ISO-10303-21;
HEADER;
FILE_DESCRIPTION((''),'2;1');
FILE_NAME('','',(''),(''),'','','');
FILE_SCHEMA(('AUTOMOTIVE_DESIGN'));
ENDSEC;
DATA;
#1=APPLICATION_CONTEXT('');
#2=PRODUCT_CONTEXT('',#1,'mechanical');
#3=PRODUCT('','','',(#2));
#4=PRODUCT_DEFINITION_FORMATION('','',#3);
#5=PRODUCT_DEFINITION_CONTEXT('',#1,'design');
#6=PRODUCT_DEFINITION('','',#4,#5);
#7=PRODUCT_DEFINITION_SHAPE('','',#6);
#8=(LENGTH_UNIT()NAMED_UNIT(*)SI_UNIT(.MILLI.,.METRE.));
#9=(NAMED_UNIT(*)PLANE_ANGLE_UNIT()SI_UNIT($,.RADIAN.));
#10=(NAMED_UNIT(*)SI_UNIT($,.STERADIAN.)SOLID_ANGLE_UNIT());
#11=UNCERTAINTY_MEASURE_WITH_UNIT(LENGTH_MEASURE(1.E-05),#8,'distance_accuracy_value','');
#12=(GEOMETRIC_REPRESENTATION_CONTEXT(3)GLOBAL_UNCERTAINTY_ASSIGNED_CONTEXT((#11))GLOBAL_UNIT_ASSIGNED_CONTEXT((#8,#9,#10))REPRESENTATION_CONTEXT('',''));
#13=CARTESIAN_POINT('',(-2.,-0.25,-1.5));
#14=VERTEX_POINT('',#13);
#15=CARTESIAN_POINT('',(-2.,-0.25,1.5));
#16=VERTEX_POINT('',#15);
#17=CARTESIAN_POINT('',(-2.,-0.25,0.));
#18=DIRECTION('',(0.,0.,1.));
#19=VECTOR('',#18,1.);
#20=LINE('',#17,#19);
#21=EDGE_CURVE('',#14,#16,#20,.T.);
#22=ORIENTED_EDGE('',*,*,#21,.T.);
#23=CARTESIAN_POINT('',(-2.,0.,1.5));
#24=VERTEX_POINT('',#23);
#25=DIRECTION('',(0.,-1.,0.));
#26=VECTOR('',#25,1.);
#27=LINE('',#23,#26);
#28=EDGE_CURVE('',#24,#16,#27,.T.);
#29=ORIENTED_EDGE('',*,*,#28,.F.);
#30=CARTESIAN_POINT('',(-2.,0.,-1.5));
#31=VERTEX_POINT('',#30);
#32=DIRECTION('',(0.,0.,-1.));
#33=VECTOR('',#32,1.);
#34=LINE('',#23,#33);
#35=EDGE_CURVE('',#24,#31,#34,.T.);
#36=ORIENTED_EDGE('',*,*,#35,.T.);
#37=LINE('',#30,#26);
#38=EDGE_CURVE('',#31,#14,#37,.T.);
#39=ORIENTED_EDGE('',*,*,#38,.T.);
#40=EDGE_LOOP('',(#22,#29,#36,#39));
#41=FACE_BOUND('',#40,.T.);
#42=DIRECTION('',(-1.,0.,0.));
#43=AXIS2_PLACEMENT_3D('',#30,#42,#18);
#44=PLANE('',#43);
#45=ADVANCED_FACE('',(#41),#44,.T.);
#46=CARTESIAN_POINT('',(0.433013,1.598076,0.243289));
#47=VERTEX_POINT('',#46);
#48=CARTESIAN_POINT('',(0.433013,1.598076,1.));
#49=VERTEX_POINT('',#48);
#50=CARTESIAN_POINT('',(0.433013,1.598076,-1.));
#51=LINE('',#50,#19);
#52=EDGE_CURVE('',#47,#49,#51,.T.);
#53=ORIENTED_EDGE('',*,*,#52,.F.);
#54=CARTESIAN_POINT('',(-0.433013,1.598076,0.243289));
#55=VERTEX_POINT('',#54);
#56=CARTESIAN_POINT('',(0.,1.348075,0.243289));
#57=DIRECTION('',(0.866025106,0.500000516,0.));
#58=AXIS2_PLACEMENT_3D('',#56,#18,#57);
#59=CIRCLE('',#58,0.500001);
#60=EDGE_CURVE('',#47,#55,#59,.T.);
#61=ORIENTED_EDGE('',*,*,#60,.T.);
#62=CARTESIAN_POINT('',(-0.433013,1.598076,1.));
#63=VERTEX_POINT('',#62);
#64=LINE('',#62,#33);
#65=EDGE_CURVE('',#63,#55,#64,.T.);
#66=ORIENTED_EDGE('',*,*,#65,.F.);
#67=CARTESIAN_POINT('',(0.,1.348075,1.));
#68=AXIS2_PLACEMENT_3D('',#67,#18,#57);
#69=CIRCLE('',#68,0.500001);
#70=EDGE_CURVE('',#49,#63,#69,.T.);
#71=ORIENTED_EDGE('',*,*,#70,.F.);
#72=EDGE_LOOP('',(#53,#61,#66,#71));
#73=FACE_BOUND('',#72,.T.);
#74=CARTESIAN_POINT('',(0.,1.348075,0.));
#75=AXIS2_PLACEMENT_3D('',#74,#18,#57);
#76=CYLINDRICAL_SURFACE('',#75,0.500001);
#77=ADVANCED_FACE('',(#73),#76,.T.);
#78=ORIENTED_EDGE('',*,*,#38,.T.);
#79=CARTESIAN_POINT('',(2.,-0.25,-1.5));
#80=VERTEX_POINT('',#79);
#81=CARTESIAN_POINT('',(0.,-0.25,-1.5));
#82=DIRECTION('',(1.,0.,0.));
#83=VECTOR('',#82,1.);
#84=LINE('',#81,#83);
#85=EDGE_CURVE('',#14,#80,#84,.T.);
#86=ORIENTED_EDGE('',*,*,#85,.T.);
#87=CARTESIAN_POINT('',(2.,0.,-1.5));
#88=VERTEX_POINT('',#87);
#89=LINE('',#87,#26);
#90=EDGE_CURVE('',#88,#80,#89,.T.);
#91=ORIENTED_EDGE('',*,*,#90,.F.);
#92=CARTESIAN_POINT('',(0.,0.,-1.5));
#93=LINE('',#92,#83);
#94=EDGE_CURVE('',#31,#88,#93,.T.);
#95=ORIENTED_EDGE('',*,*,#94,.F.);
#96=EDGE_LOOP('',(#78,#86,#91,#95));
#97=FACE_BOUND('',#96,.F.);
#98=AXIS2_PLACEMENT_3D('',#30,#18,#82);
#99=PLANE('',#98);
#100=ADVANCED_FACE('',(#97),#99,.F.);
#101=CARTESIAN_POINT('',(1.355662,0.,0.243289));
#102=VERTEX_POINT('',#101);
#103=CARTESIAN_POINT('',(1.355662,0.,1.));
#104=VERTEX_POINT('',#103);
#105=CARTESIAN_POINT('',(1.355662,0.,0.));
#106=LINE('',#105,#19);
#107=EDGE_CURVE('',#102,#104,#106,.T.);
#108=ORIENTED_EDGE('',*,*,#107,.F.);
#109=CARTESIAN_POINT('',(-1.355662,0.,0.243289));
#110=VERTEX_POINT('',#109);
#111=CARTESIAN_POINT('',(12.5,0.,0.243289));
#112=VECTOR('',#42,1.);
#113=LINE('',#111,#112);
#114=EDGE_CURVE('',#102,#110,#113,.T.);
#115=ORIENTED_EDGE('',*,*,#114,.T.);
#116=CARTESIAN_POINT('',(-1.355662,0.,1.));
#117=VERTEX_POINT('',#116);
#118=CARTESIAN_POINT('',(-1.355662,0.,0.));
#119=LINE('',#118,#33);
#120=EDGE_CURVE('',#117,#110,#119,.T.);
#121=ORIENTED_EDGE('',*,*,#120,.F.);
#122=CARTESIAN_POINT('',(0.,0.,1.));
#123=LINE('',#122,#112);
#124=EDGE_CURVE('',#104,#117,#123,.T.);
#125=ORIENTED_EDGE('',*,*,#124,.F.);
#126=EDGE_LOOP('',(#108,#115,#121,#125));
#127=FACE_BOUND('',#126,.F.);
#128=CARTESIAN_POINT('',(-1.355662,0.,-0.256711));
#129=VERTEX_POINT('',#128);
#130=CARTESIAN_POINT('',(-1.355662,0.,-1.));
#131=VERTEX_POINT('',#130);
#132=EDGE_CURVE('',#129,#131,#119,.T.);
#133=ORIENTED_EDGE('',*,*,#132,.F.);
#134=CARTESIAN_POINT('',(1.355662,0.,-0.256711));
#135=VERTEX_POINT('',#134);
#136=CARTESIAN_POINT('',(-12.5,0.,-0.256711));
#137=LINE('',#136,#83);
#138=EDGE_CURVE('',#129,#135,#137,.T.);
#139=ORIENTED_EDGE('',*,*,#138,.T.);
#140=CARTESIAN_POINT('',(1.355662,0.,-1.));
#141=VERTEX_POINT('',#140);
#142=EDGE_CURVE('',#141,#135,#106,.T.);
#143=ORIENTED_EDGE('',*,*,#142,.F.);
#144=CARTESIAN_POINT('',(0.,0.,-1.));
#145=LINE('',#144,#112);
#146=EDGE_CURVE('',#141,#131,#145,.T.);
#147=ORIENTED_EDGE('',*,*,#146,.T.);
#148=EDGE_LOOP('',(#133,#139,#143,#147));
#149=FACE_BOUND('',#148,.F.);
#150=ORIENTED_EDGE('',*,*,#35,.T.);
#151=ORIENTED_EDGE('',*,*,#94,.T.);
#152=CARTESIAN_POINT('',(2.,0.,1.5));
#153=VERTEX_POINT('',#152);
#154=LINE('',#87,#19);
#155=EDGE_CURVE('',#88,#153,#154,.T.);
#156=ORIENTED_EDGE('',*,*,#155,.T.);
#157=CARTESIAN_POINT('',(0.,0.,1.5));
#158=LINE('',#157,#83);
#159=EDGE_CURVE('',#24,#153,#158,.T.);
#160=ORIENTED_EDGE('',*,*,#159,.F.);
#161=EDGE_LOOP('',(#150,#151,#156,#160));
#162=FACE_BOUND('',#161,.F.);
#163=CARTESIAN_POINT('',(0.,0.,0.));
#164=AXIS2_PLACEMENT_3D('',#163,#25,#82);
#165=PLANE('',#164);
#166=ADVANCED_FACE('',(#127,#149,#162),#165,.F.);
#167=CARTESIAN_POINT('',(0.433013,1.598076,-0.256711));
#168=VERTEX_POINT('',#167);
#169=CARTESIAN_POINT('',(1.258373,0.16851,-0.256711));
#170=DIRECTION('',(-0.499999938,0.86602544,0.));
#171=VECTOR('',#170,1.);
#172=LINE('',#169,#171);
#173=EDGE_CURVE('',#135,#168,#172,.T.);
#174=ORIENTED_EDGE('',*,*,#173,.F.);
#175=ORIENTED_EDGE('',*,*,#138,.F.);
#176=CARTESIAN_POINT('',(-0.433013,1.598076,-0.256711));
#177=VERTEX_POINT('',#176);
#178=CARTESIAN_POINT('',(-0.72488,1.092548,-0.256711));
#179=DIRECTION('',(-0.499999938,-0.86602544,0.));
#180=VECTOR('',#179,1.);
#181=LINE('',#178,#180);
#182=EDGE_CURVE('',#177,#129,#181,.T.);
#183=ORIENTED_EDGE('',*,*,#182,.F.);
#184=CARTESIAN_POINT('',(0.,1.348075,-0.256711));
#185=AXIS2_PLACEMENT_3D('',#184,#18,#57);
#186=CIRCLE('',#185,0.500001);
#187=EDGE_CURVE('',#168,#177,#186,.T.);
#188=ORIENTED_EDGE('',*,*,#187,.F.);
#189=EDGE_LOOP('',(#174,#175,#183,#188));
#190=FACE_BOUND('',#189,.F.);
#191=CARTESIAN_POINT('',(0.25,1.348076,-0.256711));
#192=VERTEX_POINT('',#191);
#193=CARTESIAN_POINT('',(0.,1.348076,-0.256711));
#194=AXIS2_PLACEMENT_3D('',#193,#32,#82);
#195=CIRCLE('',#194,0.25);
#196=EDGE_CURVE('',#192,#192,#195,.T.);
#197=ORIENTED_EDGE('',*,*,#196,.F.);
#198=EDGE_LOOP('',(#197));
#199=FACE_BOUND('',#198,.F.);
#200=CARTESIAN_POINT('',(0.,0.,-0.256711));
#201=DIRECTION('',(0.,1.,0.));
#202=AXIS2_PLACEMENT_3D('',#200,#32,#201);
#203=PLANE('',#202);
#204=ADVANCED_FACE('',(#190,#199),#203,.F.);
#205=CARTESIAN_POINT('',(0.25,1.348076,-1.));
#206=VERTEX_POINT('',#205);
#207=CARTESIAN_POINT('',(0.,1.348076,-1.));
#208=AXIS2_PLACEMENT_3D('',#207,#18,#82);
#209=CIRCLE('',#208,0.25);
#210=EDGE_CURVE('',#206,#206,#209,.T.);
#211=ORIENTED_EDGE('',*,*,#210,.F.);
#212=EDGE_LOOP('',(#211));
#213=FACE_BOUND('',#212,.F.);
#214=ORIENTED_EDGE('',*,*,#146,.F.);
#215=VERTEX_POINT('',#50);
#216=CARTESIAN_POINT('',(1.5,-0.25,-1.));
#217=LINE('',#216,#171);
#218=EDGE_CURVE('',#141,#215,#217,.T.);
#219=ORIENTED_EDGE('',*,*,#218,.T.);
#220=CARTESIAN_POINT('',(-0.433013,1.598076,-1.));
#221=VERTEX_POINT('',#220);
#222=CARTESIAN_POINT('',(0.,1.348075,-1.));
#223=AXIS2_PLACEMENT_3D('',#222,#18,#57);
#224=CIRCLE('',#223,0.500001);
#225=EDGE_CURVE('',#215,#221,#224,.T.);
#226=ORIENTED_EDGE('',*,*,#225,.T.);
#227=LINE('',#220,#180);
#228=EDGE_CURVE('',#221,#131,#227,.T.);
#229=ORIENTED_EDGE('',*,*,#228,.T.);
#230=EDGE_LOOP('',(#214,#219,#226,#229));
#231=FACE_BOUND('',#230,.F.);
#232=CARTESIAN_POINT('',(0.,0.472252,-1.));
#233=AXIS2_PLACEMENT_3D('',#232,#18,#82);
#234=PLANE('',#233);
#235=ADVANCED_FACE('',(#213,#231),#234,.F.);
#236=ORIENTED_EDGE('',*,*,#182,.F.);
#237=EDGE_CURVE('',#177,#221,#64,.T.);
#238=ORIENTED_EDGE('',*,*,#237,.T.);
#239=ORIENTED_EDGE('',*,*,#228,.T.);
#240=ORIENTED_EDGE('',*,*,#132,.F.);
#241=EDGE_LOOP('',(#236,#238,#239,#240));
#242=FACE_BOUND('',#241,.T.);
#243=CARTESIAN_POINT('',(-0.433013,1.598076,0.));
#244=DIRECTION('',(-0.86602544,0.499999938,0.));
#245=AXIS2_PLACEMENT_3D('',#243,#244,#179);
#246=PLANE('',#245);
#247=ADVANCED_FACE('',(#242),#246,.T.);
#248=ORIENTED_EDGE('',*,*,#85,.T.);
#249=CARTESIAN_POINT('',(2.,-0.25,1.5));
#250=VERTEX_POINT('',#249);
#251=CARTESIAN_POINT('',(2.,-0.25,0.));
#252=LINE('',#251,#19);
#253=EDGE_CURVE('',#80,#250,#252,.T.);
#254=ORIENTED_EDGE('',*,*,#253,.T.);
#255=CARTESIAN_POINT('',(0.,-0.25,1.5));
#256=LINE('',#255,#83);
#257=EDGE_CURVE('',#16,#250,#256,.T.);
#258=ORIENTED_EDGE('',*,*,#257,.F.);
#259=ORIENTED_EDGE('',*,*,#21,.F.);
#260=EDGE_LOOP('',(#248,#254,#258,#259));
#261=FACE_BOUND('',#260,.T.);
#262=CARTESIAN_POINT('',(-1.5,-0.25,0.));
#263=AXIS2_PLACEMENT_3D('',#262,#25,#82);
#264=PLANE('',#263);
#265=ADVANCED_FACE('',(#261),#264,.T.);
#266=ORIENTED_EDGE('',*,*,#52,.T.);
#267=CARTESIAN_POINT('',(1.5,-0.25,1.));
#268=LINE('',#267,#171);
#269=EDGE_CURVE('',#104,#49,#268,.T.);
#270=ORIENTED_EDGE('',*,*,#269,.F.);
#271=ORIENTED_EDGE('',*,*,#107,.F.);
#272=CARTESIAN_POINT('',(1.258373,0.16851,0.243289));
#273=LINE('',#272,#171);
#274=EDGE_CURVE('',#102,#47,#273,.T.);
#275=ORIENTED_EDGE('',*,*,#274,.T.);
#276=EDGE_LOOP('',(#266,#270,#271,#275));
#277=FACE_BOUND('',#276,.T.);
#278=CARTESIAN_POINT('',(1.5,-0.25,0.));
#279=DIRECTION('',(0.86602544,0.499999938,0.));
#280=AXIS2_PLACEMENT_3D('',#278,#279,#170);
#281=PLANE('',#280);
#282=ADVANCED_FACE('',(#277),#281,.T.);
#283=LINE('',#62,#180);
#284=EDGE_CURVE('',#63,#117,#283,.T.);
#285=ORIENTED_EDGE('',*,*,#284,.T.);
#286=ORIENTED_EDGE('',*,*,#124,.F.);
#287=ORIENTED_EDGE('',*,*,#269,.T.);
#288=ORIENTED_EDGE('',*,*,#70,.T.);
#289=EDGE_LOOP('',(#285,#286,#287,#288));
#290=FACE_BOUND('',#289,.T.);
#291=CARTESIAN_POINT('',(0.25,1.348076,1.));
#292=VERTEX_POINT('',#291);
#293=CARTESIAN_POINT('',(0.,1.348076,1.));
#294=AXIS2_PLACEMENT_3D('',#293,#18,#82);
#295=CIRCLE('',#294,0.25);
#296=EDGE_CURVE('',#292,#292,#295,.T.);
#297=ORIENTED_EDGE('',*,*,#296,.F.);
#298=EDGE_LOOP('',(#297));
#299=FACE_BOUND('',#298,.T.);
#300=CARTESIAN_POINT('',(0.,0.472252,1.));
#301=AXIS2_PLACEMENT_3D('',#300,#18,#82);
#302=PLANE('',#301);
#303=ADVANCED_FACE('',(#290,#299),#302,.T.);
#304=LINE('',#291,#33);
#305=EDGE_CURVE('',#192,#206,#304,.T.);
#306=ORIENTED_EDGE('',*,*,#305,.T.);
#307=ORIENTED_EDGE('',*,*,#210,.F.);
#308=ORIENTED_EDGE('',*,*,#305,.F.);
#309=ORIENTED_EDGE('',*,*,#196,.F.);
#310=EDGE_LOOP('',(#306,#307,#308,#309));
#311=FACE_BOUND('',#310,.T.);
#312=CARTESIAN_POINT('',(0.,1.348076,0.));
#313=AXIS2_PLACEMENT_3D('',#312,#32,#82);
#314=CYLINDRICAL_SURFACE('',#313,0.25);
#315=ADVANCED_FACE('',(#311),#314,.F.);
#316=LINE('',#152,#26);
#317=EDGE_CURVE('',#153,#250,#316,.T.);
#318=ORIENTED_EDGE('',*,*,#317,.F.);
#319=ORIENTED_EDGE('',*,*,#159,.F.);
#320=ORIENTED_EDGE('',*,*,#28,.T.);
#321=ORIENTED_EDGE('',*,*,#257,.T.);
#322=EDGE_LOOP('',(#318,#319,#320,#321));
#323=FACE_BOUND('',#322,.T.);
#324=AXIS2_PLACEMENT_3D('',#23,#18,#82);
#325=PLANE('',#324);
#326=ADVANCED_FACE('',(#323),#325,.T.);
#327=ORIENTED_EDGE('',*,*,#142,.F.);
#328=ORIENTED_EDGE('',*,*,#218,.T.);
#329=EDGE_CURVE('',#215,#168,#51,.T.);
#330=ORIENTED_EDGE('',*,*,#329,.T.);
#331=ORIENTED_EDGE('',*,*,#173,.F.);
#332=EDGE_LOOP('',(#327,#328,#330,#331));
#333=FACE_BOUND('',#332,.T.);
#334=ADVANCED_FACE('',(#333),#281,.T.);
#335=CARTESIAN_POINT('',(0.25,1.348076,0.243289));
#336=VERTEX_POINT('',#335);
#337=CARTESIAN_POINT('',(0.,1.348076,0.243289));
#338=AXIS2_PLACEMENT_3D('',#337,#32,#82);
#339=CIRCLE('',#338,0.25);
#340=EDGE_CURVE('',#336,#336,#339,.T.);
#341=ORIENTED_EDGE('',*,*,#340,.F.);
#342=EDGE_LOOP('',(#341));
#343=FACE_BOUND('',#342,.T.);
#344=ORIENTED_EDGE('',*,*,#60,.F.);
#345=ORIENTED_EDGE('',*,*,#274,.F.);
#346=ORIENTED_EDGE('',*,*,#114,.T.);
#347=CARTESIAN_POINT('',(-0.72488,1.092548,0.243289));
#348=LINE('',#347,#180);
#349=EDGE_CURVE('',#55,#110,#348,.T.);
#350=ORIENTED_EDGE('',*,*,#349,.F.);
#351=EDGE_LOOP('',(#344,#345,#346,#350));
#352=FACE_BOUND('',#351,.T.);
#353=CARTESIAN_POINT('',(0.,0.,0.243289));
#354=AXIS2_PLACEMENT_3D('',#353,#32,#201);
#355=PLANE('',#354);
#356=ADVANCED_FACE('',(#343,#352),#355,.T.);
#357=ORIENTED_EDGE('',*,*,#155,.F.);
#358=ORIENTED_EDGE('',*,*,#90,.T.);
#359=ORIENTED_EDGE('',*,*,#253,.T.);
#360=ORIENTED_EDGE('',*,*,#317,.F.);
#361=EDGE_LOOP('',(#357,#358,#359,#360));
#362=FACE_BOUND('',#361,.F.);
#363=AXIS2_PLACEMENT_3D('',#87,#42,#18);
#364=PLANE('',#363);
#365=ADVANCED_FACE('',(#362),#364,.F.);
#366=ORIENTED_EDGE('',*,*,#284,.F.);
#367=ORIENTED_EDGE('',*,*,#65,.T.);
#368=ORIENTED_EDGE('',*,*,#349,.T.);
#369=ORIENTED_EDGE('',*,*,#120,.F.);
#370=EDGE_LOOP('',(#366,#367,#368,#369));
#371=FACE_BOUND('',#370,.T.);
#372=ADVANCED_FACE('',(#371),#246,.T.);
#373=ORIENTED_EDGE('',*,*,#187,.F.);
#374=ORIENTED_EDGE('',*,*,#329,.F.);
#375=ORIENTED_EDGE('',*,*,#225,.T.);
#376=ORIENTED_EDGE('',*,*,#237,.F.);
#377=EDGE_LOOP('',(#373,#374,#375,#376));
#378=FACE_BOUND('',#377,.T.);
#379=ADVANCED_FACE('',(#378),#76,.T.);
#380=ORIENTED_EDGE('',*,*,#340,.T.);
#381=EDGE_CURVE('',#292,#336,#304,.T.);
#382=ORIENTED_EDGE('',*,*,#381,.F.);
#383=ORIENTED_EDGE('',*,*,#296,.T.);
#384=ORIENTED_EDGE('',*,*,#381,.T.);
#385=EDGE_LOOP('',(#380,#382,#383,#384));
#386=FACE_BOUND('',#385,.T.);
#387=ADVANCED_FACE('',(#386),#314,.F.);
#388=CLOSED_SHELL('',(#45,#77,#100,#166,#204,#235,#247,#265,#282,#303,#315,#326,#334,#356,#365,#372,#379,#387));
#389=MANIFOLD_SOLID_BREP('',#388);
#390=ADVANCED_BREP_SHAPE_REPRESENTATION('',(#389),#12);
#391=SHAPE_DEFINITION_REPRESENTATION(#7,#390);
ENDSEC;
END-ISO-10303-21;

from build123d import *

# Parameters (mm, degrees)
F0_W     = 4
F0_H     = 3
F1_DEPTH = 0.25
F2_R     = 0.25
F3_DEPTH = 1
F4_W     = 2.05637
F4_H     = 0.5
F5_DEPTH = 12.5


with BuildPart() as f1:
    # F0 (on Front) → F1 (new body)
    with BuildSketch(Plane.XZ):
        Rectangle(F0_W, F0_H)
    extrude(amount=F1_DEPTH)

    # F2 (on Top) → F3 (join, symmetric)
    with BuildSketch(Plane.XY):
        with BuildLine():
            Line((-1.5, -0.25), (1.5, -0.25))
            Line((1.5, -0.25), (0.433013, 1.598076))
            ThreePointArc((0.433013, 1.598076), (0, 1.848076), (-0.433013, 1.598076))
            Line((-0.433013, 1.598076), (-1.5, -0.25))
        make_face()
        with Locations((0, 1.348076)):
            Circle(F2_R, mode=Mode.SUBTRACT)
    extrude(amount=F3_DEPTH, both=True)

    # F4 (on Right) → F5 (cut, symmetric)
    with BuildSketch(Plane.YZ):
        with Locations((1.028185, -0.006711)):
            Rectangle(F4_W, F4_H)
    extrude(amount=F5_DEPTH, both=True, mode=Mode.SUBTRACT)


solid = f1.part
